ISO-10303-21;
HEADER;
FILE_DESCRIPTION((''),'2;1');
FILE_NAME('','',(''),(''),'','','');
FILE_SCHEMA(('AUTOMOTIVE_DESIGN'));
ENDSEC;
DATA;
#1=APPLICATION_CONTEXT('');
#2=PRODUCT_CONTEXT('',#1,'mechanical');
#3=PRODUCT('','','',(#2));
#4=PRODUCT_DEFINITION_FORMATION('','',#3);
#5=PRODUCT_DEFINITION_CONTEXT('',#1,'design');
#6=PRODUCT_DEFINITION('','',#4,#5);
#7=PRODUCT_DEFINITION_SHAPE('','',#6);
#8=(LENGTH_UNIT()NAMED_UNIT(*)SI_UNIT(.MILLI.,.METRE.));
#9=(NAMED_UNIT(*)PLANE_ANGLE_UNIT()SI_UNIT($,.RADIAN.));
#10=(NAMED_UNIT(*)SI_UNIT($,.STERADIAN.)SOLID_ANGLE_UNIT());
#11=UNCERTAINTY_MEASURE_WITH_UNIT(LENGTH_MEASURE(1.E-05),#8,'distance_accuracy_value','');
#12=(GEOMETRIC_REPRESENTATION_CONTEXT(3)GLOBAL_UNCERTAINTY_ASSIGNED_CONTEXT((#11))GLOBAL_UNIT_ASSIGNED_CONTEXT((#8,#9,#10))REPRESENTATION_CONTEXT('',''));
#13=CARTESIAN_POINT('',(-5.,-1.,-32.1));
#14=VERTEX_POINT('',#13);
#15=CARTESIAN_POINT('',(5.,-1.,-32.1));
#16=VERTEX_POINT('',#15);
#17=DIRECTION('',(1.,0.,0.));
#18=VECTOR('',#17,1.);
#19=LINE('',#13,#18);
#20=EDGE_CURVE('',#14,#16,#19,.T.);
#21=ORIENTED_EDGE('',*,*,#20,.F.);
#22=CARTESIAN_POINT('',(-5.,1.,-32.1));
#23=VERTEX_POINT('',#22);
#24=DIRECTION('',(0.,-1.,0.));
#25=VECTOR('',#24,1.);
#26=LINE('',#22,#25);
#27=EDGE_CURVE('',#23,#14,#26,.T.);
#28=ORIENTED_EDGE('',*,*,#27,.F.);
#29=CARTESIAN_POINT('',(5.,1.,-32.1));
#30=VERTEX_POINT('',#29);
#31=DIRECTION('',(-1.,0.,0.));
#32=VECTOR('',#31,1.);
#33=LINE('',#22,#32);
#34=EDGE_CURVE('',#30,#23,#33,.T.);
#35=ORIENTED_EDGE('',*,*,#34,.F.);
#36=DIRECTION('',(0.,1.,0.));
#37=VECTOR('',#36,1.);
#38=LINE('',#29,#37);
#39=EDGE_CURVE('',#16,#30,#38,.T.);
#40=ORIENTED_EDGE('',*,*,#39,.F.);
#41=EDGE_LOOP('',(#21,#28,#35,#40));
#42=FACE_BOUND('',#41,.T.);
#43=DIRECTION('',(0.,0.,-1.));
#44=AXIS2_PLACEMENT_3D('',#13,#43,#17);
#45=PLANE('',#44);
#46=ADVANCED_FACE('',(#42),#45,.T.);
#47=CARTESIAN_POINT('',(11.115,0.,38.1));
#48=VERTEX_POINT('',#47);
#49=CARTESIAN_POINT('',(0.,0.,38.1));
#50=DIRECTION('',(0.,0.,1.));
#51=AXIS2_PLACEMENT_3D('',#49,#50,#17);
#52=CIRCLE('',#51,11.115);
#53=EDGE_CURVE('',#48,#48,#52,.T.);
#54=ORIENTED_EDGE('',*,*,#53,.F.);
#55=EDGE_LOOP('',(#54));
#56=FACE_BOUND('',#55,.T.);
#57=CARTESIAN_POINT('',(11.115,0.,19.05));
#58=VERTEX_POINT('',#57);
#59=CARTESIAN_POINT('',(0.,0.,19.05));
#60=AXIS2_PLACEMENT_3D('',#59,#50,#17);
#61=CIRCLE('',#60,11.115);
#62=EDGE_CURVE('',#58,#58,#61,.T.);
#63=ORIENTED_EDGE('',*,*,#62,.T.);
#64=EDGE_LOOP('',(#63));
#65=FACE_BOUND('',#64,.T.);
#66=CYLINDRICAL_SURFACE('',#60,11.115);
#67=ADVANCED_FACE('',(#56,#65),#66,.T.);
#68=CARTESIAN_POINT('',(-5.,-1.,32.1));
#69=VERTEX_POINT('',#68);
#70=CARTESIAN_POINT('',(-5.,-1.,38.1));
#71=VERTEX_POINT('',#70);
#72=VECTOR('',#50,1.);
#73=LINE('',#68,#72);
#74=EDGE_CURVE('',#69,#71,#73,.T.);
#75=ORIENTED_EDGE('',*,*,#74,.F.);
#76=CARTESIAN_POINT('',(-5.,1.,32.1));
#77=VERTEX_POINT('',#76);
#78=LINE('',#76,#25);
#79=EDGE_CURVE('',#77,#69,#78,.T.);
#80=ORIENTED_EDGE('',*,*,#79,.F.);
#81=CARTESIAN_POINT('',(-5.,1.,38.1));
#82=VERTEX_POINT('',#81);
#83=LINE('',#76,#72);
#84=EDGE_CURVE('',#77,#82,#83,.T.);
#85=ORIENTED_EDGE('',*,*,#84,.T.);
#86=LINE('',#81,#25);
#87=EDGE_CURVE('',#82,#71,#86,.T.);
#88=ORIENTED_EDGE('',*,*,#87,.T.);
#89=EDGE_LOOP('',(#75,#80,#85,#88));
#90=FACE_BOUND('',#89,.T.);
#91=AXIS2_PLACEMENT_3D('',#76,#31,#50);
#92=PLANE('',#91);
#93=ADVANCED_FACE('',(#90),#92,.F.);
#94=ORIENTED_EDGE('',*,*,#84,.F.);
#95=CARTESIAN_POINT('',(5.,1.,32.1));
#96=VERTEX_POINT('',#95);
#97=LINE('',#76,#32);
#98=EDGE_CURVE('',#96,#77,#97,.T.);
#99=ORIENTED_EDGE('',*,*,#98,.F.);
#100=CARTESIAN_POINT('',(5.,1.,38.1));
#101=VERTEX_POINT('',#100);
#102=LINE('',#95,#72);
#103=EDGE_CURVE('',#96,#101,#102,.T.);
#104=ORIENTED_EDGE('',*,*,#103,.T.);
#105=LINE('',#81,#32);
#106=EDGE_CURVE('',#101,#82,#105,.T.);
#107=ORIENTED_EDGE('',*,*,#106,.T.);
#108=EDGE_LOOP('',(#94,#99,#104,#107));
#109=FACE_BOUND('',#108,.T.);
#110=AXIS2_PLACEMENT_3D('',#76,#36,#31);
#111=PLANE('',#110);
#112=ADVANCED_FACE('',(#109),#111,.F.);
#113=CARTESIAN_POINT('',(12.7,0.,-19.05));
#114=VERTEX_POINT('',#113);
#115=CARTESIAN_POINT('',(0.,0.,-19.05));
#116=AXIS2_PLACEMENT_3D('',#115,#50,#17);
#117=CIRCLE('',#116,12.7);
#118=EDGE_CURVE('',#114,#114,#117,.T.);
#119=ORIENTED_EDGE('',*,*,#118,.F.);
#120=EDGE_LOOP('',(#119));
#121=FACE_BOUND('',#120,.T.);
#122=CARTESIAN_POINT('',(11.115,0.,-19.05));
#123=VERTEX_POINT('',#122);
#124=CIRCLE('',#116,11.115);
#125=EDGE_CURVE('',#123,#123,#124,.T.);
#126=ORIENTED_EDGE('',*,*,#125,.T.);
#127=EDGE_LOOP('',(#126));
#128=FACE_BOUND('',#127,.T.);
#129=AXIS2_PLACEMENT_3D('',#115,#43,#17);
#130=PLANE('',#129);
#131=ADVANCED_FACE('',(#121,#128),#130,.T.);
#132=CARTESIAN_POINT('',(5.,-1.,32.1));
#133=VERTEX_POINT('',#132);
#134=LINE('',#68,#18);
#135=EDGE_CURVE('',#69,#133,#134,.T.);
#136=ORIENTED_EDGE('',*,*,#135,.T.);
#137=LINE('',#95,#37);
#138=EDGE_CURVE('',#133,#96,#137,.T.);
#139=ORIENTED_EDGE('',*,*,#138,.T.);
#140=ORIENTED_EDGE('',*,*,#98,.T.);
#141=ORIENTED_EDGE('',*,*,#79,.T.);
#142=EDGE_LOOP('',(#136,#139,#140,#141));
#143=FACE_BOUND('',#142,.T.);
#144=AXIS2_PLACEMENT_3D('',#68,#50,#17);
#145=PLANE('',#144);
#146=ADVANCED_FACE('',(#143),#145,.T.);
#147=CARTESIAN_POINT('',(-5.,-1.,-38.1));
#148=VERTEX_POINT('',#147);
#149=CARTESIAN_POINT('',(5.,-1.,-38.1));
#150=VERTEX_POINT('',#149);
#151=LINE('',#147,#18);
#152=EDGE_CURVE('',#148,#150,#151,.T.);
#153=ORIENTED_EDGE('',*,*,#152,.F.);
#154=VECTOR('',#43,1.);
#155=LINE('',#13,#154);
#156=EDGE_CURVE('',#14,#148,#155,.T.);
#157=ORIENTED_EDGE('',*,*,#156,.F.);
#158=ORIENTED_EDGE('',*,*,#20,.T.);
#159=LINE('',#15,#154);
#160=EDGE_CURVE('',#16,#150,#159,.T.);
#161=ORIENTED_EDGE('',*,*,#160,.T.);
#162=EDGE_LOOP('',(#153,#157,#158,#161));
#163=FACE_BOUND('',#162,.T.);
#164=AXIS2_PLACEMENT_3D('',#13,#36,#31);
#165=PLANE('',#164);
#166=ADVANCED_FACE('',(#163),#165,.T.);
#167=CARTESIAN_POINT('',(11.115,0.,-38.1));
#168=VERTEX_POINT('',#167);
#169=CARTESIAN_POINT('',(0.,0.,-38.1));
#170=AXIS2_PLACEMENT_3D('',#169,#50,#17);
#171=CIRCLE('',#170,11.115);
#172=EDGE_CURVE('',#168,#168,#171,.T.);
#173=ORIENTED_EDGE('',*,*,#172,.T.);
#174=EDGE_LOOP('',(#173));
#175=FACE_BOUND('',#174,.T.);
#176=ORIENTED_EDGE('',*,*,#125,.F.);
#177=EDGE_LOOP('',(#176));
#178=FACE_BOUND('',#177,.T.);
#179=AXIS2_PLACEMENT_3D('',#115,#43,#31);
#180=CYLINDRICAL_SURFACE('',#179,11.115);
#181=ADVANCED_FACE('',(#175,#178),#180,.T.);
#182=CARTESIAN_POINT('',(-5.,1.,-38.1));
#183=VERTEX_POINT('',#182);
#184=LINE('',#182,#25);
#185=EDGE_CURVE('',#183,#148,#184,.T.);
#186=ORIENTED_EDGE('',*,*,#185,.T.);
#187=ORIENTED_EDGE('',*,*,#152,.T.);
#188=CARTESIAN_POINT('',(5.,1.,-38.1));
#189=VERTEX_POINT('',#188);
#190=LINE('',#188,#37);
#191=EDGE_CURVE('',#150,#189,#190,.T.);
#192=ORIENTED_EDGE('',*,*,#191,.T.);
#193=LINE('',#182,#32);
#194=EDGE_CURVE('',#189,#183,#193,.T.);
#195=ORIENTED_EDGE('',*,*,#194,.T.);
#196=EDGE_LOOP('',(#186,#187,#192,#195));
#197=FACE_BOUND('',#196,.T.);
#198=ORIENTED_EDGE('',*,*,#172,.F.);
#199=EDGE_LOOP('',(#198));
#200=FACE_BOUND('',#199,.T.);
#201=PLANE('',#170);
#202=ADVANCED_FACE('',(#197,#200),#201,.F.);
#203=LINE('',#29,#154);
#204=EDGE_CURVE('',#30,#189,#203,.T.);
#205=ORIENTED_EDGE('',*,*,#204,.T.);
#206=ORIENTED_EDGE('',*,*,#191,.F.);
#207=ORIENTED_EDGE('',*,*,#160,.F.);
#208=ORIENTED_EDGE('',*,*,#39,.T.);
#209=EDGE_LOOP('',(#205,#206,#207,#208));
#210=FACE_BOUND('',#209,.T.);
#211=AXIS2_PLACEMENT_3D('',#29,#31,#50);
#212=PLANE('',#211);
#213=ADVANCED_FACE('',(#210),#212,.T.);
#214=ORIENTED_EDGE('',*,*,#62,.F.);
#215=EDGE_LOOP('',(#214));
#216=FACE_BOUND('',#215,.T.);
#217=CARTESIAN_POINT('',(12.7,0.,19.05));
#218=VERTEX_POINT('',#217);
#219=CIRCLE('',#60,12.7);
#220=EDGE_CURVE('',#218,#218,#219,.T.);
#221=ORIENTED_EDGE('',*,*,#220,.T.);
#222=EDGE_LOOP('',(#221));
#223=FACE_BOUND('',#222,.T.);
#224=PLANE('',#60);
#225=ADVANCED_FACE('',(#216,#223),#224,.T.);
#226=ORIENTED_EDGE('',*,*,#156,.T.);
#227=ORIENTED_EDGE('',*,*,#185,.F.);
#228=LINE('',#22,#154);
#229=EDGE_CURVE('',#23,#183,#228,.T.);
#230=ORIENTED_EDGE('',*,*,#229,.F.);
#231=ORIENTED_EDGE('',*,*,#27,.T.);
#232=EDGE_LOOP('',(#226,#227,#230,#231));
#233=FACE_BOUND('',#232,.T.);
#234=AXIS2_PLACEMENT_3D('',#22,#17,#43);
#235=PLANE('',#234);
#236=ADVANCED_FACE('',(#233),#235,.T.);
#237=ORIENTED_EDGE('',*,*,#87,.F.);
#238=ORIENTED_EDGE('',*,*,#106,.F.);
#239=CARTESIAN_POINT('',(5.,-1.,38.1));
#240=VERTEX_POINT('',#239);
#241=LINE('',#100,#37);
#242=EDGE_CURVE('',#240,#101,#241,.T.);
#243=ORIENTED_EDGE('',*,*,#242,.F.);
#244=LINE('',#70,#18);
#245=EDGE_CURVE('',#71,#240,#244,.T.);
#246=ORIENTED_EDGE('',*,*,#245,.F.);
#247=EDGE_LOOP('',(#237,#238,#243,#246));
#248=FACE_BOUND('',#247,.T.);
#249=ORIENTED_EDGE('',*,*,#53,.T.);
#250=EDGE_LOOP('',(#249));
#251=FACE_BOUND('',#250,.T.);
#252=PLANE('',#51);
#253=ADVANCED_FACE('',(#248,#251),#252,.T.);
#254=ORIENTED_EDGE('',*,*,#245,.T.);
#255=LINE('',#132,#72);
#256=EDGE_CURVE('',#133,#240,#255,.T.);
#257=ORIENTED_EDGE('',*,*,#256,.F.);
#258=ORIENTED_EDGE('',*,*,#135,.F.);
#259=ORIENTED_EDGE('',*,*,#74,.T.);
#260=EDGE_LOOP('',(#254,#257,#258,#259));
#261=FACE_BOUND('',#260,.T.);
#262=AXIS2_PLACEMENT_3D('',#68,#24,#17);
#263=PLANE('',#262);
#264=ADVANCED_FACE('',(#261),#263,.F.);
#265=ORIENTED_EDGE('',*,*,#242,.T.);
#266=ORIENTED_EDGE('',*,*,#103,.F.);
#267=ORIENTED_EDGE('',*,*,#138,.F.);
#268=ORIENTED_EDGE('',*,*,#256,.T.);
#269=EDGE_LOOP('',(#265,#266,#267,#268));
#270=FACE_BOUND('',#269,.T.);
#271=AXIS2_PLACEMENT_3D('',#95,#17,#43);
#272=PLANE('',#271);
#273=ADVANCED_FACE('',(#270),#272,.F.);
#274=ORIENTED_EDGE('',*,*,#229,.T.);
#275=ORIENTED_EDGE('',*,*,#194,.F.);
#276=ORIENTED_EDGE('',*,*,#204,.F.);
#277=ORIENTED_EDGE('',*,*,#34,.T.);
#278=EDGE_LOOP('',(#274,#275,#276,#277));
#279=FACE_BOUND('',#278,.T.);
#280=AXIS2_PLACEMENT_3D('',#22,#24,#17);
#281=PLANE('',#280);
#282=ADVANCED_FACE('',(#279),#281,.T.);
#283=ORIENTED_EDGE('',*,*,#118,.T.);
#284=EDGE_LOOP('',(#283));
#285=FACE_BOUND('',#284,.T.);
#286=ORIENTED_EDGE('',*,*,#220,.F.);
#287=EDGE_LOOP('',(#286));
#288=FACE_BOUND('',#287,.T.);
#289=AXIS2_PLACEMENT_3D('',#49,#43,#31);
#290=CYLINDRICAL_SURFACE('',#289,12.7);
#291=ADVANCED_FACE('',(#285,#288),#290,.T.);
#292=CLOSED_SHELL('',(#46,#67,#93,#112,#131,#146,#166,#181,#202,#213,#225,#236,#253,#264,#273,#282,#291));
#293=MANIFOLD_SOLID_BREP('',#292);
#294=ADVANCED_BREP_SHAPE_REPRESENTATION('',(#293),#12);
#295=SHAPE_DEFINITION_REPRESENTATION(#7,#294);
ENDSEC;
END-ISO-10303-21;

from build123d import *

# Parameters (mm, degrees)
SKETCH1_R                              = 12.7
BASE_EXTRUDE_DEPTH                     = 38.1
SKETCH2_R                              = 12.7
SKETCH2_R_2                            = 11.115
CUT_EXTRUDE1_DEPTH                     = 19.05
SKETCH3_W                              = 10
SKETCH3_H                              = 2
SLOT_FOR_FLAT_BLADE_SCREW_DRIVER_DEPTH = 6


with BuildPart() as part:
    # Sketch1 → Base-Extrude (new body, symmetric)
    with BuildSketch(Plane.XY):
        Circle(SKETCH1_R)
    extrude(amount=BASE_EXTRUDE_DEPTH, both=True)

    # Sketch2 → Cut-Extrude1 (cut)
    with BuildSketch(Plane.XY.offset(38.1)):
        Circle(SKETCH2_R)
        Circle(SKETCH2_R_2, mode=Mode.SUBTRACT)
    cut_extrude1 = extrude(amount=-CUT_EXTRUDE1_DEPTH, mode=Mode.SUBTRACT)

    # Mirror1: Cut-Extrude1 across plane
    add(cut_extrude1.mirror(Plane.XY), mode=Mode.SUBTRACT)

    # Sketch3 → Slot for Flat Blade Screw Driver (cut)
    with BuildSketch(Plane.XY.offset(38.1)):
        Rectangle(SKETCH3_W, SKETCH3_H)
    slot_for_flat_blade_screw_driver = extrude(amount=-SLOT_FOR_FLAT_BLADE_SCREW_DRIVER_DEPTH, mode=Mode.SUBTRACT)

    # Mirror2: Slot for Flat Blade Screw Driver across plane
    add(slot_for_flat_blade_screw_driver.mirror(Plane.XY), mode=Mode.SUBTRACT)


solid = part.part
